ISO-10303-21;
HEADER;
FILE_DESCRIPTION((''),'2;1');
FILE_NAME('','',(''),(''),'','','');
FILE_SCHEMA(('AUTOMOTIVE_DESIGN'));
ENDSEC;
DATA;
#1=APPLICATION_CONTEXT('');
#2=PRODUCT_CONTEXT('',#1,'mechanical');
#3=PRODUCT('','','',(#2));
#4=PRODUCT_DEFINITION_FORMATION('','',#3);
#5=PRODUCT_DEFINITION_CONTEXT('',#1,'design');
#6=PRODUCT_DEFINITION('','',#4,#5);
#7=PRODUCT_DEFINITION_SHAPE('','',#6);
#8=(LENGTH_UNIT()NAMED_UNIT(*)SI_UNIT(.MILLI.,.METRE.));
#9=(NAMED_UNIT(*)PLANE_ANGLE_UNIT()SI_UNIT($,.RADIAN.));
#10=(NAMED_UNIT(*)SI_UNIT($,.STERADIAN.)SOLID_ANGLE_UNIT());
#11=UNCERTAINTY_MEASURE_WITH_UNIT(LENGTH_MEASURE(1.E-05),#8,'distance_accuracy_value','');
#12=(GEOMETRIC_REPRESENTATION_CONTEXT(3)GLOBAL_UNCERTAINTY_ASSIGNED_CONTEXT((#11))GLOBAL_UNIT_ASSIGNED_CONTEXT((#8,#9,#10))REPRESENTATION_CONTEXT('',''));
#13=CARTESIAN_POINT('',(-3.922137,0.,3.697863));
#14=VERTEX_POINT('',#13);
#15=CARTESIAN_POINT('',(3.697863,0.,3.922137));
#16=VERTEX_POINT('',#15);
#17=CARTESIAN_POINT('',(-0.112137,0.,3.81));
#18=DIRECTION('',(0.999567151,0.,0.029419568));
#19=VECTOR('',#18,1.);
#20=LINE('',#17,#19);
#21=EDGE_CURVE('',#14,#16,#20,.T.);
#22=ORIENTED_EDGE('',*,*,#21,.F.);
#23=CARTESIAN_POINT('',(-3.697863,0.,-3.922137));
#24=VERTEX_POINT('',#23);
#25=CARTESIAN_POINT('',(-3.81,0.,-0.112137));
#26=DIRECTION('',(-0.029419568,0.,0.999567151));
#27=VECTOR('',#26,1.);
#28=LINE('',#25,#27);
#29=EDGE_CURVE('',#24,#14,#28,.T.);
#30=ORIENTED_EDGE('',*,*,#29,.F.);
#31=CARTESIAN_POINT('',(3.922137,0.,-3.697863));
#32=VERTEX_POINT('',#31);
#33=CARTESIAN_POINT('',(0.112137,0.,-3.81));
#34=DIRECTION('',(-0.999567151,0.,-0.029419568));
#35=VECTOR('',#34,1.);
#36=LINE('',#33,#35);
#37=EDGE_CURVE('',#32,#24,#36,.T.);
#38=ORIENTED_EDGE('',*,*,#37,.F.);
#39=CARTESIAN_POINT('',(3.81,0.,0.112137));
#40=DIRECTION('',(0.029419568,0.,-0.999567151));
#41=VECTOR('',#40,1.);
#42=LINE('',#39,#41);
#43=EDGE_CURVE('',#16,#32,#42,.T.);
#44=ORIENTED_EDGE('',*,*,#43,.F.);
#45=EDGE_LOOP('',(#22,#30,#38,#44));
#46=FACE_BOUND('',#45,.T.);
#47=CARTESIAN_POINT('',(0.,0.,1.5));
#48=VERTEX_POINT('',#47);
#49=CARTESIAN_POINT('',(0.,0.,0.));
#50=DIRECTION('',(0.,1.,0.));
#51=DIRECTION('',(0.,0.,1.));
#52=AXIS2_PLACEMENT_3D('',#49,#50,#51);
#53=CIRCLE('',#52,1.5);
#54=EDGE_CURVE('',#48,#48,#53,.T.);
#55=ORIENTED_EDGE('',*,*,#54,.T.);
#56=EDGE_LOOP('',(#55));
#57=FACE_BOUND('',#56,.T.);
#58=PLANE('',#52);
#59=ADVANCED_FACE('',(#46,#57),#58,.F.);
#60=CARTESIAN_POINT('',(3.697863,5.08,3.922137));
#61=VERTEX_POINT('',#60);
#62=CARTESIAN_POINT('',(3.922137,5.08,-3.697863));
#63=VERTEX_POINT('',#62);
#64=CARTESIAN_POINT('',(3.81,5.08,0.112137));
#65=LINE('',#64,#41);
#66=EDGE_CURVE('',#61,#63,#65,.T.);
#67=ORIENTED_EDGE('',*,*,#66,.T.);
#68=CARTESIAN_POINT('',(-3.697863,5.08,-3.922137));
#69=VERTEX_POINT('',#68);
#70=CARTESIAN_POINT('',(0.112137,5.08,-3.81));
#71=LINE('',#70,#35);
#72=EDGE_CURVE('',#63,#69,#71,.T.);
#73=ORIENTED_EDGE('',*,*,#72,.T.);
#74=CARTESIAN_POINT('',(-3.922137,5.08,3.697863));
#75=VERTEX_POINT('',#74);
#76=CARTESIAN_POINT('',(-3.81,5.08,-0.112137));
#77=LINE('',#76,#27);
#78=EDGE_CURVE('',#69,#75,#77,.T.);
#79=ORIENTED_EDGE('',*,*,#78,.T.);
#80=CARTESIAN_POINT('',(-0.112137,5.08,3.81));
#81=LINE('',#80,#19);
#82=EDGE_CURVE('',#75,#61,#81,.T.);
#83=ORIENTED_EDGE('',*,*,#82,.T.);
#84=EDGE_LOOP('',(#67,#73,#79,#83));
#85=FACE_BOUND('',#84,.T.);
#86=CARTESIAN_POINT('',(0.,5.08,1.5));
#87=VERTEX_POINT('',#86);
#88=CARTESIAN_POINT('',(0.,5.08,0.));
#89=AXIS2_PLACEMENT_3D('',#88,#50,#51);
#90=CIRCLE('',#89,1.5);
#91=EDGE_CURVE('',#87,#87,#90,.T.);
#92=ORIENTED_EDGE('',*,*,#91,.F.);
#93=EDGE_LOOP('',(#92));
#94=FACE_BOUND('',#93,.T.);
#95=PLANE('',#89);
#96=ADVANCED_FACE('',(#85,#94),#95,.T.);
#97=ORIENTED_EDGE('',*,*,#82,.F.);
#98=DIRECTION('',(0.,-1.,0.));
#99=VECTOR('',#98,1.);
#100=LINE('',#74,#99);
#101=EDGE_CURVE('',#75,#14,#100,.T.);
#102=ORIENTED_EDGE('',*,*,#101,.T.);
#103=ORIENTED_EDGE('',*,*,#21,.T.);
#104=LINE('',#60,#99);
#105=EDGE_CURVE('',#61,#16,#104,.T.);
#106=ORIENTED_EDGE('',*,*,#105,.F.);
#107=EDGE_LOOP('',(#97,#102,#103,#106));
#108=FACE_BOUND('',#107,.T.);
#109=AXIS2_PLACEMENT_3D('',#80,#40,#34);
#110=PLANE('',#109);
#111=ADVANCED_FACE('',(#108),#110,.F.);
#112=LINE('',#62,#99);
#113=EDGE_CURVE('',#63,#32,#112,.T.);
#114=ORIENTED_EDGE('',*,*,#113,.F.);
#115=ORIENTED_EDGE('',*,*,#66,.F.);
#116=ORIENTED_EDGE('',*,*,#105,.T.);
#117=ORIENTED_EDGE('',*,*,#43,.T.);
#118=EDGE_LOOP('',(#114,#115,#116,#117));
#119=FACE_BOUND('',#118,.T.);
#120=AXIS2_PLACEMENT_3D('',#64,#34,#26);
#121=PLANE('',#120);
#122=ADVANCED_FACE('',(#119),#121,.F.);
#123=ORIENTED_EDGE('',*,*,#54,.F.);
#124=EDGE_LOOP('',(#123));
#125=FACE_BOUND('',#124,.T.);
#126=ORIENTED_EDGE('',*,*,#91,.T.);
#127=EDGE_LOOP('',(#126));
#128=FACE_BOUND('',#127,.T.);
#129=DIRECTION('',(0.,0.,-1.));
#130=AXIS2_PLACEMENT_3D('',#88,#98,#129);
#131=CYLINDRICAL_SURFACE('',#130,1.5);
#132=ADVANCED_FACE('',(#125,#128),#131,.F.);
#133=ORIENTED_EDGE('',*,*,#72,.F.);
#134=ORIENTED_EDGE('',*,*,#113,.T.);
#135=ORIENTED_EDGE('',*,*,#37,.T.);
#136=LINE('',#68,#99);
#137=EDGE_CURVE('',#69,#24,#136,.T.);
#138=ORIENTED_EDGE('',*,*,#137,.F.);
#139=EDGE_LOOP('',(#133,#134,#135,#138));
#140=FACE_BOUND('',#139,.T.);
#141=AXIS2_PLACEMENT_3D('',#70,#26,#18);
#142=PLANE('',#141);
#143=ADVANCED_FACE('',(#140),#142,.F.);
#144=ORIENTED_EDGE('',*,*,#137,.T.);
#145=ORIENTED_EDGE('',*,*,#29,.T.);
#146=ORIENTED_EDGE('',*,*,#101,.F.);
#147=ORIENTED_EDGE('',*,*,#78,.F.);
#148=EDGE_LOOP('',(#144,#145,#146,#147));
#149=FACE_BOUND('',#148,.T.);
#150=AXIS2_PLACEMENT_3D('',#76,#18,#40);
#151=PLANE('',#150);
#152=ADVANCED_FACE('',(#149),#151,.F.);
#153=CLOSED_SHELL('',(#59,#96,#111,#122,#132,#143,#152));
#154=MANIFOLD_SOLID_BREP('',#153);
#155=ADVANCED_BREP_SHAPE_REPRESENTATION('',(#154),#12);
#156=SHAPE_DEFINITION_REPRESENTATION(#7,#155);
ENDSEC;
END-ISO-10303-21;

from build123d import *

# Parameters (mm, degrees)
SKETCH1_R           = 1.5
BOSS_EXTRUDE1_DEPTH = 5.08


with BuildPart() as part:
    # Sketch1 → Boss-Extrude1 (new body)
    with BuildSketch(Plane(origin=(0, 0, 0), x_dir=(1, 0, 0), z_dir=(0, 1, 0))):
        Polygon((-3.922137091, -3.697862909), (3.697862909, -3.922137091), (3.922137091, 3.697862909), (-3.697862909, 3.922137091), align=None)
        Circle(SKETCH1_R, mode=Mode.SUBTRACT)
    extrude(amount=BOSS_EXTRUDE1_DEPTH)


solid = part.part
